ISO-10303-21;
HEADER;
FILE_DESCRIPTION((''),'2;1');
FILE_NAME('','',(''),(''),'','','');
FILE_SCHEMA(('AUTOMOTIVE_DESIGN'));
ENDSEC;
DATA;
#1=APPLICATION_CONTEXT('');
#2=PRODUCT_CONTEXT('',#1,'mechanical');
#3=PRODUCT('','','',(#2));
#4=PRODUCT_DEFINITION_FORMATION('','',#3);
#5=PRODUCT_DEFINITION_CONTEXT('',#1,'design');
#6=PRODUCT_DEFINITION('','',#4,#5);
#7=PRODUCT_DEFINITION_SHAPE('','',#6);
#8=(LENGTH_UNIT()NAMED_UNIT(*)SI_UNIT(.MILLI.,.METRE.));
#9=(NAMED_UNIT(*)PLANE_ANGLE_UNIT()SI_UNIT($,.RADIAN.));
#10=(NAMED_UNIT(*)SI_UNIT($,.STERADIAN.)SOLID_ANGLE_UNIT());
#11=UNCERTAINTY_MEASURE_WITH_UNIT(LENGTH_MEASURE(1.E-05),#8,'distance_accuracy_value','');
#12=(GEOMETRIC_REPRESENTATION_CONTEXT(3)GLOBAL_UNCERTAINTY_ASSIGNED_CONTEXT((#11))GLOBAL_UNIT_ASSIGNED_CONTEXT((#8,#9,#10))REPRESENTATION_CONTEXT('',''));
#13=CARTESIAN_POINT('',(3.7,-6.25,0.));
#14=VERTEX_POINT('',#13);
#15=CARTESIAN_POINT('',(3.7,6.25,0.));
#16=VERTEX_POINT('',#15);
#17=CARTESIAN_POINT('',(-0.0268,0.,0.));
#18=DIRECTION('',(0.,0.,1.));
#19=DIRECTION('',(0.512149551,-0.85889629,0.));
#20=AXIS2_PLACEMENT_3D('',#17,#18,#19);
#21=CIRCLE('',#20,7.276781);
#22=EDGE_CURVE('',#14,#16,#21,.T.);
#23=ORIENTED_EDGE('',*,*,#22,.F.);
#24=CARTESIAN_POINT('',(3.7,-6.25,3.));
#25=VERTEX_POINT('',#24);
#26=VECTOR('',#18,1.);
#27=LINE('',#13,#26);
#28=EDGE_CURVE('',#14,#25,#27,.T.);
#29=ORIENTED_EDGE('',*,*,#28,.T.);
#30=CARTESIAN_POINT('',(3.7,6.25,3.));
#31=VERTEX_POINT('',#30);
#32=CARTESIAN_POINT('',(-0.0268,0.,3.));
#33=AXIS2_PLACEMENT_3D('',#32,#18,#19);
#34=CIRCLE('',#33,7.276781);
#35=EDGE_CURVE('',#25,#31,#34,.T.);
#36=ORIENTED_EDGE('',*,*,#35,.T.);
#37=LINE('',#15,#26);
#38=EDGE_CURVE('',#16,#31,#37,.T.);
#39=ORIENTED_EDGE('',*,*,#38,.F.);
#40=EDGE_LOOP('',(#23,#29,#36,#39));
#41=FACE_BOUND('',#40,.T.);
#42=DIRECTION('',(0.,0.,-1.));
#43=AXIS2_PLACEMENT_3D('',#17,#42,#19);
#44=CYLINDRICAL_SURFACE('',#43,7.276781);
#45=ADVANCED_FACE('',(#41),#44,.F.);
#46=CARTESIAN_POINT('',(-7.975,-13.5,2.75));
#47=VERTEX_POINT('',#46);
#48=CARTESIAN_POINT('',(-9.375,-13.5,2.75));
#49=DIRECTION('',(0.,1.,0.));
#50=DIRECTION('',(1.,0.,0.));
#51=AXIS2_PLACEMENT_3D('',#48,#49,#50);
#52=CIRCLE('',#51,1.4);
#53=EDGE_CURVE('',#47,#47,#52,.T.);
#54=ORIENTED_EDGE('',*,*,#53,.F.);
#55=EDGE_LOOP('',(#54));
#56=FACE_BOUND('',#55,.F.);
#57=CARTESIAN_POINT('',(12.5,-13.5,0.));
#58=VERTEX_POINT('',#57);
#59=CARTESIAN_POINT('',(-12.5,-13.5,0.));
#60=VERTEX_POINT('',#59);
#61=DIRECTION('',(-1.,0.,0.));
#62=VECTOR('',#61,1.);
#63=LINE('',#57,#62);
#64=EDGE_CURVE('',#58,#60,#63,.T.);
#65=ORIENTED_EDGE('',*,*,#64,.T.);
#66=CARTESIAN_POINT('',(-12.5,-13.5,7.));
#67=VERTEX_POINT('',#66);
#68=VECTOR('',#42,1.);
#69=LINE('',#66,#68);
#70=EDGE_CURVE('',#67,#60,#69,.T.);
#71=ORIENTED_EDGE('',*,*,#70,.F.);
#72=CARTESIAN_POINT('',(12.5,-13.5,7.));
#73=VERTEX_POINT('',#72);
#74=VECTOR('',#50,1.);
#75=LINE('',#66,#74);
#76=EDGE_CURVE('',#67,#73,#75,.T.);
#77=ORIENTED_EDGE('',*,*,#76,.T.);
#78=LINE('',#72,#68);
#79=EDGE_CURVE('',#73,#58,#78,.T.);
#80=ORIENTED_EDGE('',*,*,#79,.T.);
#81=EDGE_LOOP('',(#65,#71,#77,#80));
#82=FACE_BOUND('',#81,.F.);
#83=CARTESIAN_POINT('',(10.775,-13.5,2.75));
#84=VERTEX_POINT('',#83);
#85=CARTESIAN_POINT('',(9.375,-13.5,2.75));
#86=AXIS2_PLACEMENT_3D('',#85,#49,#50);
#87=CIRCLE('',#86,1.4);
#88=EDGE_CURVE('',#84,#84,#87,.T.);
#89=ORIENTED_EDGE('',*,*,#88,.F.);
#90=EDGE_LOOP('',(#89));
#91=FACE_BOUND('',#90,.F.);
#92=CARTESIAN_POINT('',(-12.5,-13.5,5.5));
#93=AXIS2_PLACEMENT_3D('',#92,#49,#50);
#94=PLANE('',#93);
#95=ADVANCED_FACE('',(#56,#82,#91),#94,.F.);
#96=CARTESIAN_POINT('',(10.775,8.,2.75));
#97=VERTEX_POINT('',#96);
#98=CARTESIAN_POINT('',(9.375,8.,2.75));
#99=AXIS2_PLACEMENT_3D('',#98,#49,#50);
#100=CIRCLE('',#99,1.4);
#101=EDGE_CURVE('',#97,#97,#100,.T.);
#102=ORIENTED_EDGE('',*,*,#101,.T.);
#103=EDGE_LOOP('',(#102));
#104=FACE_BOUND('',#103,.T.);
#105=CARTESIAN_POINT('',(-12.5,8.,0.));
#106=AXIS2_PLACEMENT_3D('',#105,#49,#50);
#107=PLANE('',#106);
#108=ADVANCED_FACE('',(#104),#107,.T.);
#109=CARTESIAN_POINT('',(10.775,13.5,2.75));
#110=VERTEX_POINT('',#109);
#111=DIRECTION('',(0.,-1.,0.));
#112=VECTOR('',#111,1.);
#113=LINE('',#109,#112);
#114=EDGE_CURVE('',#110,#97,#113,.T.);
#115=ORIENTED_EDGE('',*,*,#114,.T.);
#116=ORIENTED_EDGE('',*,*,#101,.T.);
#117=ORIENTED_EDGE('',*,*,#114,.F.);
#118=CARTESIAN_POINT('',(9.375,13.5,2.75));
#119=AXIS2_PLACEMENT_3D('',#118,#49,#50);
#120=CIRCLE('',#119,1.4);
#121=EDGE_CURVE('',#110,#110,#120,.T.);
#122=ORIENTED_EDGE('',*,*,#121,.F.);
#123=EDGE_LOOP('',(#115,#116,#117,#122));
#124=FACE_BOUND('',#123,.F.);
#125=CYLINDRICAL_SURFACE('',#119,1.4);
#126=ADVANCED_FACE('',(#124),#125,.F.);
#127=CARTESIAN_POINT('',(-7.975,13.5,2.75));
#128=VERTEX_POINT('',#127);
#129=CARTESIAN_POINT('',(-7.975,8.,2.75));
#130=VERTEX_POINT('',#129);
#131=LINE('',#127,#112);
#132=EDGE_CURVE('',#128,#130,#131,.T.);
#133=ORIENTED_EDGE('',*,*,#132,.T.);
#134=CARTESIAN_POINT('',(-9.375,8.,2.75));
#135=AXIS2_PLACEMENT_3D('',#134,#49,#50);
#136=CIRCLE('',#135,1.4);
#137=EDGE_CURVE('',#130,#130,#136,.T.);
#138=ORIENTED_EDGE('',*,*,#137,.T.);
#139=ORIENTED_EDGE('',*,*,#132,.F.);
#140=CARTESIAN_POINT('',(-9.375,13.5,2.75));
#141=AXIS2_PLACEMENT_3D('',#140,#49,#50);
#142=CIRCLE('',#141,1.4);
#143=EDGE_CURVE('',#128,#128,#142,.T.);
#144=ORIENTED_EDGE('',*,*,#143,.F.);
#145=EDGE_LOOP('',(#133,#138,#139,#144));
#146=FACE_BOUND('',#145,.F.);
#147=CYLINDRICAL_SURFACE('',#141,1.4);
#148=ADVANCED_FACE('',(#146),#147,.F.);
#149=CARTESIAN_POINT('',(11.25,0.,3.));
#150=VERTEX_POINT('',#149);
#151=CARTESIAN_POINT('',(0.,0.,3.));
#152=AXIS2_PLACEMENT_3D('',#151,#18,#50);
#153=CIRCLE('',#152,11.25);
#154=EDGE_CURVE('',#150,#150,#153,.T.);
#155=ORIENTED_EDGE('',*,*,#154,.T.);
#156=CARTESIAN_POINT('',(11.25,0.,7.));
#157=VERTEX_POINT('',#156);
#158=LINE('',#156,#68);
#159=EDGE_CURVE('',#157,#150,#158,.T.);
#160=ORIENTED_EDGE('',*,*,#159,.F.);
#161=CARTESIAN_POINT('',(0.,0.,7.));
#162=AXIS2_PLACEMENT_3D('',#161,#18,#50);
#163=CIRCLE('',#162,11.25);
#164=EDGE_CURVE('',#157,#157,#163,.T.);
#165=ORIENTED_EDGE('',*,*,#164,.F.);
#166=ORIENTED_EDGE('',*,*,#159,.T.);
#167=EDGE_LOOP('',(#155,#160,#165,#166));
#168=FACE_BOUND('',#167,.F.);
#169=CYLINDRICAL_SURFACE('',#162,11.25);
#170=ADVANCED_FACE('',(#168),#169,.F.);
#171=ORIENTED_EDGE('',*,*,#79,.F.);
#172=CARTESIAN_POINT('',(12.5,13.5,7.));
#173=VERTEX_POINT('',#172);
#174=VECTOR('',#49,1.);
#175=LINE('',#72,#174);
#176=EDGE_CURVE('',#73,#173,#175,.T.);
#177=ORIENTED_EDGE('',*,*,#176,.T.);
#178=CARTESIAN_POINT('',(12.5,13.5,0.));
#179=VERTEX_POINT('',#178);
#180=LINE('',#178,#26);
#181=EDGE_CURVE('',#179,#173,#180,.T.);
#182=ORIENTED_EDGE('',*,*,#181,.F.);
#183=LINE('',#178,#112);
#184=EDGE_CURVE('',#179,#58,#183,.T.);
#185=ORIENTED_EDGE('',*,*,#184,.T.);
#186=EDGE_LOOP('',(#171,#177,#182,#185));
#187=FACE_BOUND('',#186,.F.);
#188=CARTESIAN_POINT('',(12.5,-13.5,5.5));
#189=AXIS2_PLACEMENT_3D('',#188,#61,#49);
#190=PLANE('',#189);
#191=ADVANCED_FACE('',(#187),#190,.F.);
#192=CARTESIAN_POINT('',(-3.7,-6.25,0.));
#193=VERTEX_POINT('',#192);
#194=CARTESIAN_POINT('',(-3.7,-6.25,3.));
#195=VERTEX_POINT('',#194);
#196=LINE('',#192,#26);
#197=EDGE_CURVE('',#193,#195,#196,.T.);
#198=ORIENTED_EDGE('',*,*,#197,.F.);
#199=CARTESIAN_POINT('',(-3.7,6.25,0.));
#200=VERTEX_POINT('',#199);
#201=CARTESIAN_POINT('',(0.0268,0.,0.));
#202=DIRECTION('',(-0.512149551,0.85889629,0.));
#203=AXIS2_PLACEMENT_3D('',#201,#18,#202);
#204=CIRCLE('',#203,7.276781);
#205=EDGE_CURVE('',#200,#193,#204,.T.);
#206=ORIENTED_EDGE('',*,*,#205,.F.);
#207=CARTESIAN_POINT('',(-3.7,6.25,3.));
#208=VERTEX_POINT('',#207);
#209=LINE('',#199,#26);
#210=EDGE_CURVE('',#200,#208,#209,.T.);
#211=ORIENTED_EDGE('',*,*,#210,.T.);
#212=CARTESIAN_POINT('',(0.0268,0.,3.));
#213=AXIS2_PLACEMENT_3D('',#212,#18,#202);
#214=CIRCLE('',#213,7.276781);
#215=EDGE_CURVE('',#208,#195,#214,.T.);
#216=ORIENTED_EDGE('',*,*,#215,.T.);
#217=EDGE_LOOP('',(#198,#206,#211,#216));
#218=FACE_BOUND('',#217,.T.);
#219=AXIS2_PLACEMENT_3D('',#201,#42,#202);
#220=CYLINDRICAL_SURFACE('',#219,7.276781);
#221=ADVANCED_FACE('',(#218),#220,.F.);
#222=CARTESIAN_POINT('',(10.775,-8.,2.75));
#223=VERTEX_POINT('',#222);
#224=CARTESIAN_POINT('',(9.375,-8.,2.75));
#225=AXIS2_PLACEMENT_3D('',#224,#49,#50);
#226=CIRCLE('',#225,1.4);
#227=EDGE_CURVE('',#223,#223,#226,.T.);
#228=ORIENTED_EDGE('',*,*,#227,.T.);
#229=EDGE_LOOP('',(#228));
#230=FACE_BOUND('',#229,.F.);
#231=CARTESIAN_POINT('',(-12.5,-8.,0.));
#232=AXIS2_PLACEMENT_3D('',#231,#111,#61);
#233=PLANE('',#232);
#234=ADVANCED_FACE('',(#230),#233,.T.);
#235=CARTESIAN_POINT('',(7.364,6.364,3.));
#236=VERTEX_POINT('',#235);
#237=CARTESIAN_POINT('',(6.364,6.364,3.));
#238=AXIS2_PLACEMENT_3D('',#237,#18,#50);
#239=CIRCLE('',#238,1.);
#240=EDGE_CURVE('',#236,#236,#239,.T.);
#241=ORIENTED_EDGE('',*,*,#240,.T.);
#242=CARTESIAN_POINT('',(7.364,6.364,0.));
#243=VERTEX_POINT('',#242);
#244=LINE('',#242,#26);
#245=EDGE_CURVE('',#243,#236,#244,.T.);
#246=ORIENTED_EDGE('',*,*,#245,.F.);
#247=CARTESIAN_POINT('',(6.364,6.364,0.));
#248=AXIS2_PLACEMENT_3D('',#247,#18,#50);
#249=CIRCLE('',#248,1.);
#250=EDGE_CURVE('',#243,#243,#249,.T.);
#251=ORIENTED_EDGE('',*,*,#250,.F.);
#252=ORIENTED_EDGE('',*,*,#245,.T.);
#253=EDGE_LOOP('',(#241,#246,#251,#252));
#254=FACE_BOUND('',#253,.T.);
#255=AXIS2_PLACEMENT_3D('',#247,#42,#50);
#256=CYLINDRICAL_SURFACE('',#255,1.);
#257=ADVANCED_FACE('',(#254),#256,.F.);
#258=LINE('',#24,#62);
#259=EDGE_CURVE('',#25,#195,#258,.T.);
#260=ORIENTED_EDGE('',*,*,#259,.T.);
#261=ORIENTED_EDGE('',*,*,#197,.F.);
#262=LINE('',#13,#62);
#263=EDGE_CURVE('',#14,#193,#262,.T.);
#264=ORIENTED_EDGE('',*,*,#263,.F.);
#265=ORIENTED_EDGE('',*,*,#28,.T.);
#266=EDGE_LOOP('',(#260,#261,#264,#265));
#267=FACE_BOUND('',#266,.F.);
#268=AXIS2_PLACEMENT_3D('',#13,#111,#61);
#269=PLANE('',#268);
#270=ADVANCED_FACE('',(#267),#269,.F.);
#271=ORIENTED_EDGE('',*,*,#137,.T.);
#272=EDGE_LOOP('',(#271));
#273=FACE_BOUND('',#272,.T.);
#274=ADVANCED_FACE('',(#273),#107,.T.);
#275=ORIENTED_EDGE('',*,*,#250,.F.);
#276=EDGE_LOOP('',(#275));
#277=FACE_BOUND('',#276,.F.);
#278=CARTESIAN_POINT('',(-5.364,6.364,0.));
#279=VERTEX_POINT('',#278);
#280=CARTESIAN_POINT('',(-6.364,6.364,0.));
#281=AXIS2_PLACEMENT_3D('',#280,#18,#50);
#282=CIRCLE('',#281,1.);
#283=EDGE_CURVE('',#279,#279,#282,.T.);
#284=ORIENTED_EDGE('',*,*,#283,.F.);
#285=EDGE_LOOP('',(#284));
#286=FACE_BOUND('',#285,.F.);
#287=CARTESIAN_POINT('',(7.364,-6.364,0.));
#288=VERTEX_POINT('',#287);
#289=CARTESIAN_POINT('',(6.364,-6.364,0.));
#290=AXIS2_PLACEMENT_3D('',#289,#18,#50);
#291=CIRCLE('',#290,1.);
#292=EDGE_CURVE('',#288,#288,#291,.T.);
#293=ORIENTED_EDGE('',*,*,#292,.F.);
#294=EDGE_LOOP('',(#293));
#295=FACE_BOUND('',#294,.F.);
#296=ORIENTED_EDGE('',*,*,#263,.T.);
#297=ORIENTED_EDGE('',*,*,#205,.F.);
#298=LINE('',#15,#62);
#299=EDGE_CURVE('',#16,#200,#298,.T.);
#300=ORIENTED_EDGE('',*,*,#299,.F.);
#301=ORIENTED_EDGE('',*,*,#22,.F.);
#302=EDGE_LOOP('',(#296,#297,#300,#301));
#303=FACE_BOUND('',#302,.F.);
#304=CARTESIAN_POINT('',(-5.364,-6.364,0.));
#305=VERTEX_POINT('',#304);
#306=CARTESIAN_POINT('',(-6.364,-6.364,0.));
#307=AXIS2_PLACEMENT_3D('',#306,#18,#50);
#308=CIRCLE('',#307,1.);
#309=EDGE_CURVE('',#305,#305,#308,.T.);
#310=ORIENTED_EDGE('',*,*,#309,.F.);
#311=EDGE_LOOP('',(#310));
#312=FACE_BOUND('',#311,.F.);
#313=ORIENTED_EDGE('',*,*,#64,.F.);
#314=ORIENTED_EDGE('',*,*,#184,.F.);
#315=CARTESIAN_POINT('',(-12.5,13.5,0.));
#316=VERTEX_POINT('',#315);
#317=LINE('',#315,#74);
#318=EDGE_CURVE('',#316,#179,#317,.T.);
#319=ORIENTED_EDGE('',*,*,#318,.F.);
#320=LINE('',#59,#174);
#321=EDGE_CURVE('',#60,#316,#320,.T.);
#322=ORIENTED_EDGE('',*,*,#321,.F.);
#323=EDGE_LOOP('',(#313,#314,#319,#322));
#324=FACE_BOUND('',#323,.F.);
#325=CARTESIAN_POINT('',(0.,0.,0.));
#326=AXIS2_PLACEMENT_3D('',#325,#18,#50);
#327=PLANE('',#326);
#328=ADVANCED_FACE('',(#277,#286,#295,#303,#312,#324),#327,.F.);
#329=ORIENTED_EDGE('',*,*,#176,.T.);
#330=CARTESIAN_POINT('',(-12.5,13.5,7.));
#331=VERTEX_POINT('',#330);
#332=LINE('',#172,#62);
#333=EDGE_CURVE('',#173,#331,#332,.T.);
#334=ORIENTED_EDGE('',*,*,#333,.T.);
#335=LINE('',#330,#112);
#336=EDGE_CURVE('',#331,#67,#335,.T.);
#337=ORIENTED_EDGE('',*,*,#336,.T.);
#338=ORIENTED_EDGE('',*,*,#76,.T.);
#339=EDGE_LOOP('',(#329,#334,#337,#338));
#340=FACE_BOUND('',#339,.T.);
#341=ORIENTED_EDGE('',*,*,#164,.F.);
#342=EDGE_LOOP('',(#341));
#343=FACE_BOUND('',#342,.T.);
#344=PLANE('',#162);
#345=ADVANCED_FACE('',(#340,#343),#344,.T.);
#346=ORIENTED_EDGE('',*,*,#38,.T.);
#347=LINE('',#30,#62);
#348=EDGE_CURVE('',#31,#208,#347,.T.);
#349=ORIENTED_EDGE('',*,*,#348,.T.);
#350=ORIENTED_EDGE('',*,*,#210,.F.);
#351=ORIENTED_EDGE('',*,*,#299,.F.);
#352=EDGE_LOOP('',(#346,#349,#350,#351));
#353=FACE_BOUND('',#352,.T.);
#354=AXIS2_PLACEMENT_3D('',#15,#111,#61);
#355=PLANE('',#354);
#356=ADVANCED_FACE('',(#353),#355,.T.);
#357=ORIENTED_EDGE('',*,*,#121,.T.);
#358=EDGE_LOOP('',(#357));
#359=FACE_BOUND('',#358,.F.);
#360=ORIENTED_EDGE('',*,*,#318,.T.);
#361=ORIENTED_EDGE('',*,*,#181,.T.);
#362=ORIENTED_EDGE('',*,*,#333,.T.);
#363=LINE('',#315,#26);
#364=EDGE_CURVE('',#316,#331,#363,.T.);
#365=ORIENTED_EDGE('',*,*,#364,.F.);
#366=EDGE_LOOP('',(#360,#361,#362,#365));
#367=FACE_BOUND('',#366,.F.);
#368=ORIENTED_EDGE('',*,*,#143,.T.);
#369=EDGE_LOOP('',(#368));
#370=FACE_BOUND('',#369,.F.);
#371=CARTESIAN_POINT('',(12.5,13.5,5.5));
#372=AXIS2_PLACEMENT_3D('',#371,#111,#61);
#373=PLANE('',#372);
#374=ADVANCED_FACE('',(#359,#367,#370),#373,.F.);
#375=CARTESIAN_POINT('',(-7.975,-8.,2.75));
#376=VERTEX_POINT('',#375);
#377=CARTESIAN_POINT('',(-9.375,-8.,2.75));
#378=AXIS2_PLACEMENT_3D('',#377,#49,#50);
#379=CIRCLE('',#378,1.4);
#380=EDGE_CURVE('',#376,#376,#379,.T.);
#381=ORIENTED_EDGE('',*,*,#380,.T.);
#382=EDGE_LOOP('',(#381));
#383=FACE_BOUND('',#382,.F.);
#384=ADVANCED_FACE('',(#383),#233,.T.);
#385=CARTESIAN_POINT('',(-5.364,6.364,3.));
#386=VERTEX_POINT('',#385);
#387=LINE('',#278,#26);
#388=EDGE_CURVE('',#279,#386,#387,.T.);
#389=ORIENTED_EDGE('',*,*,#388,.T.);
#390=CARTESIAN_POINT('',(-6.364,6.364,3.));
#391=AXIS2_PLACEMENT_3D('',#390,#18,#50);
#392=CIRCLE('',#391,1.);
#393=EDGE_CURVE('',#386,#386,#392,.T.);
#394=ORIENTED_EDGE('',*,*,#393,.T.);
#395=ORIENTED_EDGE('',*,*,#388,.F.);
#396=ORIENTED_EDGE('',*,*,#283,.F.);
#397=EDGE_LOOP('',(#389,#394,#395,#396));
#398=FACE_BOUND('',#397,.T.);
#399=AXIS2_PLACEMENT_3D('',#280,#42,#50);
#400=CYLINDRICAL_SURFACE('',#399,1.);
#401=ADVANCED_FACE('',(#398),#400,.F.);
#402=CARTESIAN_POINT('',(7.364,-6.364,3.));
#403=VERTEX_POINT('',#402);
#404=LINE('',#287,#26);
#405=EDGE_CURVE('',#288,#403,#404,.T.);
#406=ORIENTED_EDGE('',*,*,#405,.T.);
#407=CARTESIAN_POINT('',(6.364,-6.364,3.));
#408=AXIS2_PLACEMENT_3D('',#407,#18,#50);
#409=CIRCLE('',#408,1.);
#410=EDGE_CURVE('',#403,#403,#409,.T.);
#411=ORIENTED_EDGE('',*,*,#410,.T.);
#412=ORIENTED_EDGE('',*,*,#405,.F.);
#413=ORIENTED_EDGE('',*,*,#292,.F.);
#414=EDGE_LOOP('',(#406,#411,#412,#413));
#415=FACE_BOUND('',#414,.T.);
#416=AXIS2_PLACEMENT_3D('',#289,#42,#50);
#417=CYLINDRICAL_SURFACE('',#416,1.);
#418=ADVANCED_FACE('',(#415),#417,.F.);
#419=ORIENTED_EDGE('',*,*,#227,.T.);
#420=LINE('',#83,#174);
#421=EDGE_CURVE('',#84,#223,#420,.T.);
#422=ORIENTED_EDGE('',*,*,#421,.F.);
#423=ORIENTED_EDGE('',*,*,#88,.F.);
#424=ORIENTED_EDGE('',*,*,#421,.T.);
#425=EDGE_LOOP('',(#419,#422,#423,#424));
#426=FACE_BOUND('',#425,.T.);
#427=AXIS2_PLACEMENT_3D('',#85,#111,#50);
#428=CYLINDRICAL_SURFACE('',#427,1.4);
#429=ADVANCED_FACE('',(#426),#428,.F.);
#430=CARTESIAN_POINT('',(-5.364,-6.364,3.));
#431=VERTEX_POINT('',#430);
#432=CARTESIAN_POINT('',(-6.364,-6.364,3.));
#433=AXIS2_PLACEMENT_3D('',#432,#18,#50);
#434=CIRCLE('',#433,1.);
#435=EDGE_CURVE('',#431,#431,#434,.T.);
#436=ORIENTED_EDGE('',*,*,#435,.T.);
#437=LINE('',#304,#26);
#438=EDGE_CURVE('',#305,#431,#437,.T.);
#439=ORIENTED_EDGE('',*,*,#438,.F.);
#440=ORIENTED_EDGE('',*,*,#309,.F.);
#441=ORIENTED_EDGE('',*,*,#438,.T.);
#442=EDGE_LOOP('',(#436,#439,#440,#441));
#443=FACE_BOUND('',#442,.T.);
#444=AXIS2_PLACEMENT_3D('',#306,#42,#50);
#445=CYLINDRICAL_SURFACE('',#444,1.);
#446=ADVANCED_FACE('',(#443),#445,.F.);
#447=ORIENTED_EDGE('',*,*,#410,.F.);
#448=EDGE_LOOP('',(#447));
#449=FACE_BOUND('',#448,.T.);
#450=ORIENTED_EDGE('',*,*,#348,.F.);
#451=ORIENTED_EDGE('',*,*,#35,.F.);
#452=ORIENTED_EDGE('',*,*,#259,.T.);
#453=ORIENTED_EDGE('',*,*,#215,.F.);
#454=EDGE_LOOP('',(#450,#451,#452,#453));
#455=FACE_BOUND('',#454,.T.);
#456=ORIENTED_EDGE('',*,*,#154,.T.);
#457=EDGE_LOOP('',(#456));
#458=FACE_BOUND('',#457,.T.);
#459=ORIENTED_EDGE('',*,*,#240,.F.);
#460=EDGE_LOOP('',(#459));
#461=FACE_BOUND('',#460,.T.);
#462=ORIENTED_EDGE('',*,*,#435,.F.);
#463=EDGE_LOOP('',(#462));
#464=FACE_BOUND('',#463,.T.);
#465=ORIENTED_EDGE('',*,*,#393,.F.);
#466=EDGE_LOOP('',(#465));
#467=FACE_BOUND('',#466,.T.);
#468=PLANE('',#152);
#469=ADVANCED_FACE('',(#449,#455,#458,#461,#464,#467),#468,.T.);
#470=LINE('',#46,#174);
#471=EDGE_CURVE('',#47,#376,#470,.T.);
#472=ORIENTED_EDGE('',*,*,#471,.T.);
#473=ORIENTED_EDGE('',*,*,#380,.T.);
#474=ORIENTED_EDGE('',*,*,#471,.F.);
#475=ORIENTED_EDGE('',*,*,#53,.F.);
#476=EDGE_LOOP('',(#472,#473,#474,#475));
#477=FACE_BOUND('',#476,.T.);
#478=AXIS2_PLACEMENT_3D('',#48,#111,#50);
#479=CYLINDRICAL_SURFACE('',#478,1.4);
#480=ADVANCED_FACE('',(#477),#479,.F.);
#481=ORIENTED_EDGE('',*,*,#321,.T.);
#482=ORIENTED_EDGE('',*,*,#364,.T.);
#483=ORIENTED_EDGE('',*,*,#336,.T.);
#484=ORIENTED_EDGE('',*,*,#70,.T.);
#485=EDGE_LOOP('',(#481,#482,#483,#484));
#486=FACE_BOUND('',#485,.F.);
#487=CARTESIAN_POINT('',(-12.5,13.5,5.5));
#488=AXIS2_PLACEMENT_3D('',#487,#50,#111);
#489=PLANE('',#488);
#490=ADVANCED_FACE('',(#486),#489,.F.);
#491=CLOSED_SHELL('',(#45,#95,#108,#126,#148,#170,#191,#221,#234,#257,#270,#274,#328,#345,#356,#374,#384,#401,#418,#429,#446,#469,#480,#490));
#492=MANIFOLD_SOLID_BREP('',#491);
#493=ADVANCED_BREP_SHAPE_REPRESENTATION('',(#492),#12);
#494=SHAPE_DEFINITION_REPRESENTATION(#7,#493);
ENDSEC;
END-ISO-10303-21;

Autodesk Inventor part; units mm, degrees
ref_plane "YZ Plane" through (0, 0, 0) normal (1, 0, 0) x (0, 1, 0)
ref_plane "XZ Plane" through (0, 0, 0) normal (0, 1, 0) x (-1, 0, 0)
ref_plane "XY Plane" through (0, 0, 0) normal (0, 0, 1) x (1, 0, 0)
sketch "Sketch1" plane through (0, 0, 0) normal (0, 0, 1) x (1, 0, 0)
  circle A0 centre (-6.364, 6.364) radius 1
  circle A1 centre (6.364, 6.364) radius 1
  circle A2 centre (6.364, -6.364) radius 1
  circle A3 centre (-6.364, -6.364) radius 1
  line L0 (-12.5, 13.5) -> (12.5, 13.5)
  line L1 (12.5, 13.5) -> (12.5, -13.5)
  line L2 (12.5, -13.5) -> (-12.5, -13.5)
  line L3 (-12.5, -13.5) -> (-12.5, 13.5)
  line L4 (0, 13.5) -> (-9.375, 13.5) construction
  line L5 (0, 6) -> (0, -6) construction
  line L6 (0, 6) -> (0, 6.25) construction
  line L7 (0, -6) -> (0, -6.25) construction
  line L8 (3.9, -6.25) -> (-8.1, -6.25) construction
  line L9 (4.1, 6.25) -> (-8.9, 6.25) construction
  line L10 (0, 6) -> (3.6056, 6) construction
  line L11 (0, 6.25) -> (3.7, 6.25) construction
  line L12 (3.7, 6.25) -> (-3.7, 6.25)
  line L13 (3.7, -6.25) -> (-3.7, -6.25)
  line L14 (0, 0) -> (7.25, 0) construction
  line L15 (0, 0) -> (-7.25, 0)
  arc A4 (-3.7, 6.25) -> (-3.7, -6.25) centre (0.0268, 0) ccw
  arc A5 (3.7, -6.25) -> (3.7, 6.25) centre (-0.0268, 0) ccw
  point P0 (12.5, 0)
  point P1 (0, -6.25)
  dimension "d0" = 27
  dimension "d1" = 25
  dimension "d2" = 9.375
  dimension "d3" = 12
  dimension "d4" = 0.25
  dimension "d5" = 0.25
  dimension "d6" = 3.6056
  dimension "d7" = 3.7
  dimension "d8" = 7.4
  dimension "d10" = 7.4
  dimension "d11" = 7.25
  dimension "d25" = 7.25
extrude "Extrusion1" add sketch "Sketch1" along normal blind 3
sketch "Sketch2" plane through (0, 0, 3) normal (0, 0, 1) x (1, 0, 0)
  line L0 (3.7, -6.25) -> (-3.7, -6.25) projected
  line L1 (-3.7, 6.25) -> (3.7, 6.25) projected
  circle A0 centre (-6.364, -6.364) radius 1 projected
  circle A1 centre (6.364, -6.364) radius 1 projected
  circle A2 centre (6.364, 6.364) radius 1 projected
  circle A3 centre (-6.364, 6.364) radius 1 projected
  line L2 (12.5, 13.5) -> (-12.5, 13.5) projected
  line L3 (-12.5, 13.5) -> (-12.5, -13.5) projected
  line L4 (-12.5, -13.5) -> (12.5, -13.5) projected
  line L5 (12.5, -13.5) -> (12.5, 13.5) projected
  circle A4 centre (0, 0) radius 11
  arc A5 (3.7, -6.25) -> (3.7, 6.25) centre (-0.0268, 0) ccw projected
  arc A6 (-3.7, 6.25) -> (-3.7, -6.25) centre (0.0268, 0) ccw projected
  dimension "d14" = 22
extrude "Extrusion2" add sketch "Sketch2" along normal blind 2.5 contours L5 L4 L3 L2
sketch "Sketch3" plane through (-12.5, 13.5, 0) normal (0, 1, 0) x (1, 0, 0)
  line L0 (0, 0) -> (25, 0) projected
  line L1 (0, 0) -> (0, -5.5) projected
  line L2 (25, -5.5) -> (0, -5.5) projected
  line L3 (25, 0) -> (25, -5.5) projected
  line L4 (12.5, 0) -> (12.5, -5.5) construction
  line L5 (25, -5.5) -> (0, -5.5) construction
  line L6 (12.5, 0) -> (12.5, -2.75) construction
  line L7 (12.5, -2.75) -> (3.125, -2.75) construction
  line L8 (12.5, -2.75) -> (21.875, -2.75) construction
  circle A0 centre (3.125, -2.75) radius 1.4
  circle A1 centre (21.875, -2.75) radius 1.4
  dimension "d17" = 2.75
  dimension "d18" = 9.375
  dimension "d19" = 180
  dimension "d20" = 2.8
  dimension "d21" = 2.8
extrude "Extrusion3" cut sketch "Sketch3" against normal blind 5.5 contours A0 | A1
mirror "Mirror1" about plane through (0, 0, 0) normal (0, 1, 0) of "Extrusion3"
sketch "Sketch4" plane through (0, 0, 5.5) normal (0, 0, 1) x (1, 0, 0)
  circle A0 centre (0, 0) radius 11 projected
  line L0 (12.5, 13.5) -> (-12.5, 13.5) projected
  line L1 (-12.5, 13.5) -> (-12.5, -13.5) projected
  line L2 (-12.5, -13.5) -> (12.5, -13.5) projected
  line L3 (12.5, -13.5) -> (12.5, 13.5) projected
extrude "Extrusion4" add sketch "Sketch4" along normal blind 1.5
sketch "Sketch5" plane through (0, 0, 7) normal (0, 0, 1) x (1, 0, 0)
  circle A0 centre (0, 0) radius 11.25
  circle A1 centre (0, 0) radius 11 projected
  dimension "d28" = 22.5
extrude "Extrusion5" cut sketch "Sketch5" against normal up to surface (4 mm away)
properties part number "MotorMountv2"
